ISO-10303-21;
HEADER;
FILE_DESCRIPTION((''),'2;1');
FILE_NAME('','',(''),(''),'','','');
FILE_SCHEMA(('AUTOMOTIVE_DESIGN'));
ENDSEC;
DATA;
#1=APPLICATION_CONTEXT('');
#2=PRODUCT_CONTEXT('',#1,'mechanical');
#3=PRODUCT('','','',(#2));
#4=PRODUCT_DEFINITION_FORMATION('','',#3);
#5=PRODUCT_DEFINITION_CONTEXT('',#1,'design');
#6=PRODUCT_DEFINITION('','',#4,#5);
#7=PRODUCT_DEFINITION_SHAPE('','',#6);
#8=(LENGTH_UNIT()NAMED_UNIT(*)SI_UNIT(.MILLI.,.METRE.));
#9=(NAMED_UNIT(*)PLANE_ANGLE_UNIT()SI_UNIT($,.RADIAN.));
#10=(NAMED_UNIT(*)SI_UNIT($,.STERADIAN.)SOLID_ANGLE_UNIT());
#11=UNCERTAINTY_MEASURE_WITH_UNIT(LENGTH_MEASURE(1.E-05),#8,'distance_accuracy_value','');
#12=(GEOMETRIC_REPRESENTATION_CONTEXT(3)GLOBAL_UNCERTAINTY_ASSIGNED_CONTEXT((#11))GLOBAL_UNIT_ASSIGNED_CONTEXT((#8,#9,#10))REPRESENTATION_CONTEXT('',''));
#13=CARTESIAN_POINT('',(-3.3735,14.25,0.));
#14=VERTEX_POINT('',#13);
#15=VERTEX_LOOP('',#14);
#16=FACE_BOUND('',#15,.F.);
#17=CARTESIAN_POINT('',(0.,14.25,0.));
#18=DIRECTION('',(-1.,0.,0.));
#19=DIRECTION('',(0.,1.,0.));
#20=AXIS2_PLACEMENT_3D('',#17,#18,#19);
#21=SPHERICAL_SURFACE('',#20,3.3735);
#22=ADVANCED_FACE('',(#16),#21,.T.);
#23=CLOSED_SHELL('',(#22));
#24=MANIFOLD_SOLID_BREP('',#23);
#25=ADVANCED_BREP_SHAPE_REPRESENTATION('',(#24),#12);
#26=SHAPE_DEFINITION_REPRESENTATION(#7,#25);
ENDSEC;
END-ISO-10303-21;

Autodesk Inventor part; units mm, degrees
sketch "Sketch_4" plane through (0, 0, 0) normal (0, 0, 1) x (1, 0, 0)
  line L0 (3.3735, 14.25) -> (-3.3735, 14.25)
  arc A0 (3.3735, 14.25) -> (-3.3735, 14.25) centre (0, 14.25) ccw
  line L1 (3.3735, 14.25) -> (-3.3735, 14.25)
revolve "Revolution1" add sketch "Sketch_4" angle 360 about axis through (3.3735, 14.25, 0) along (1, 0, 0)
ref_plane "ball_XY" through (0, 14.25, 0) normal (1, 0, 0) x (0, 0, -1)
ref_plane "ball_YZ" through (0, 14.25, 0) normal (0, 0, -1) x (0, 1, 0)
ref_plane "ball_ZX" through (0, 14.25, 0) normal (0, 1, 0) x (1, 0, 0)
properties part number "15-40-19.1-12-ybrg2-124-6.747-28.5"
